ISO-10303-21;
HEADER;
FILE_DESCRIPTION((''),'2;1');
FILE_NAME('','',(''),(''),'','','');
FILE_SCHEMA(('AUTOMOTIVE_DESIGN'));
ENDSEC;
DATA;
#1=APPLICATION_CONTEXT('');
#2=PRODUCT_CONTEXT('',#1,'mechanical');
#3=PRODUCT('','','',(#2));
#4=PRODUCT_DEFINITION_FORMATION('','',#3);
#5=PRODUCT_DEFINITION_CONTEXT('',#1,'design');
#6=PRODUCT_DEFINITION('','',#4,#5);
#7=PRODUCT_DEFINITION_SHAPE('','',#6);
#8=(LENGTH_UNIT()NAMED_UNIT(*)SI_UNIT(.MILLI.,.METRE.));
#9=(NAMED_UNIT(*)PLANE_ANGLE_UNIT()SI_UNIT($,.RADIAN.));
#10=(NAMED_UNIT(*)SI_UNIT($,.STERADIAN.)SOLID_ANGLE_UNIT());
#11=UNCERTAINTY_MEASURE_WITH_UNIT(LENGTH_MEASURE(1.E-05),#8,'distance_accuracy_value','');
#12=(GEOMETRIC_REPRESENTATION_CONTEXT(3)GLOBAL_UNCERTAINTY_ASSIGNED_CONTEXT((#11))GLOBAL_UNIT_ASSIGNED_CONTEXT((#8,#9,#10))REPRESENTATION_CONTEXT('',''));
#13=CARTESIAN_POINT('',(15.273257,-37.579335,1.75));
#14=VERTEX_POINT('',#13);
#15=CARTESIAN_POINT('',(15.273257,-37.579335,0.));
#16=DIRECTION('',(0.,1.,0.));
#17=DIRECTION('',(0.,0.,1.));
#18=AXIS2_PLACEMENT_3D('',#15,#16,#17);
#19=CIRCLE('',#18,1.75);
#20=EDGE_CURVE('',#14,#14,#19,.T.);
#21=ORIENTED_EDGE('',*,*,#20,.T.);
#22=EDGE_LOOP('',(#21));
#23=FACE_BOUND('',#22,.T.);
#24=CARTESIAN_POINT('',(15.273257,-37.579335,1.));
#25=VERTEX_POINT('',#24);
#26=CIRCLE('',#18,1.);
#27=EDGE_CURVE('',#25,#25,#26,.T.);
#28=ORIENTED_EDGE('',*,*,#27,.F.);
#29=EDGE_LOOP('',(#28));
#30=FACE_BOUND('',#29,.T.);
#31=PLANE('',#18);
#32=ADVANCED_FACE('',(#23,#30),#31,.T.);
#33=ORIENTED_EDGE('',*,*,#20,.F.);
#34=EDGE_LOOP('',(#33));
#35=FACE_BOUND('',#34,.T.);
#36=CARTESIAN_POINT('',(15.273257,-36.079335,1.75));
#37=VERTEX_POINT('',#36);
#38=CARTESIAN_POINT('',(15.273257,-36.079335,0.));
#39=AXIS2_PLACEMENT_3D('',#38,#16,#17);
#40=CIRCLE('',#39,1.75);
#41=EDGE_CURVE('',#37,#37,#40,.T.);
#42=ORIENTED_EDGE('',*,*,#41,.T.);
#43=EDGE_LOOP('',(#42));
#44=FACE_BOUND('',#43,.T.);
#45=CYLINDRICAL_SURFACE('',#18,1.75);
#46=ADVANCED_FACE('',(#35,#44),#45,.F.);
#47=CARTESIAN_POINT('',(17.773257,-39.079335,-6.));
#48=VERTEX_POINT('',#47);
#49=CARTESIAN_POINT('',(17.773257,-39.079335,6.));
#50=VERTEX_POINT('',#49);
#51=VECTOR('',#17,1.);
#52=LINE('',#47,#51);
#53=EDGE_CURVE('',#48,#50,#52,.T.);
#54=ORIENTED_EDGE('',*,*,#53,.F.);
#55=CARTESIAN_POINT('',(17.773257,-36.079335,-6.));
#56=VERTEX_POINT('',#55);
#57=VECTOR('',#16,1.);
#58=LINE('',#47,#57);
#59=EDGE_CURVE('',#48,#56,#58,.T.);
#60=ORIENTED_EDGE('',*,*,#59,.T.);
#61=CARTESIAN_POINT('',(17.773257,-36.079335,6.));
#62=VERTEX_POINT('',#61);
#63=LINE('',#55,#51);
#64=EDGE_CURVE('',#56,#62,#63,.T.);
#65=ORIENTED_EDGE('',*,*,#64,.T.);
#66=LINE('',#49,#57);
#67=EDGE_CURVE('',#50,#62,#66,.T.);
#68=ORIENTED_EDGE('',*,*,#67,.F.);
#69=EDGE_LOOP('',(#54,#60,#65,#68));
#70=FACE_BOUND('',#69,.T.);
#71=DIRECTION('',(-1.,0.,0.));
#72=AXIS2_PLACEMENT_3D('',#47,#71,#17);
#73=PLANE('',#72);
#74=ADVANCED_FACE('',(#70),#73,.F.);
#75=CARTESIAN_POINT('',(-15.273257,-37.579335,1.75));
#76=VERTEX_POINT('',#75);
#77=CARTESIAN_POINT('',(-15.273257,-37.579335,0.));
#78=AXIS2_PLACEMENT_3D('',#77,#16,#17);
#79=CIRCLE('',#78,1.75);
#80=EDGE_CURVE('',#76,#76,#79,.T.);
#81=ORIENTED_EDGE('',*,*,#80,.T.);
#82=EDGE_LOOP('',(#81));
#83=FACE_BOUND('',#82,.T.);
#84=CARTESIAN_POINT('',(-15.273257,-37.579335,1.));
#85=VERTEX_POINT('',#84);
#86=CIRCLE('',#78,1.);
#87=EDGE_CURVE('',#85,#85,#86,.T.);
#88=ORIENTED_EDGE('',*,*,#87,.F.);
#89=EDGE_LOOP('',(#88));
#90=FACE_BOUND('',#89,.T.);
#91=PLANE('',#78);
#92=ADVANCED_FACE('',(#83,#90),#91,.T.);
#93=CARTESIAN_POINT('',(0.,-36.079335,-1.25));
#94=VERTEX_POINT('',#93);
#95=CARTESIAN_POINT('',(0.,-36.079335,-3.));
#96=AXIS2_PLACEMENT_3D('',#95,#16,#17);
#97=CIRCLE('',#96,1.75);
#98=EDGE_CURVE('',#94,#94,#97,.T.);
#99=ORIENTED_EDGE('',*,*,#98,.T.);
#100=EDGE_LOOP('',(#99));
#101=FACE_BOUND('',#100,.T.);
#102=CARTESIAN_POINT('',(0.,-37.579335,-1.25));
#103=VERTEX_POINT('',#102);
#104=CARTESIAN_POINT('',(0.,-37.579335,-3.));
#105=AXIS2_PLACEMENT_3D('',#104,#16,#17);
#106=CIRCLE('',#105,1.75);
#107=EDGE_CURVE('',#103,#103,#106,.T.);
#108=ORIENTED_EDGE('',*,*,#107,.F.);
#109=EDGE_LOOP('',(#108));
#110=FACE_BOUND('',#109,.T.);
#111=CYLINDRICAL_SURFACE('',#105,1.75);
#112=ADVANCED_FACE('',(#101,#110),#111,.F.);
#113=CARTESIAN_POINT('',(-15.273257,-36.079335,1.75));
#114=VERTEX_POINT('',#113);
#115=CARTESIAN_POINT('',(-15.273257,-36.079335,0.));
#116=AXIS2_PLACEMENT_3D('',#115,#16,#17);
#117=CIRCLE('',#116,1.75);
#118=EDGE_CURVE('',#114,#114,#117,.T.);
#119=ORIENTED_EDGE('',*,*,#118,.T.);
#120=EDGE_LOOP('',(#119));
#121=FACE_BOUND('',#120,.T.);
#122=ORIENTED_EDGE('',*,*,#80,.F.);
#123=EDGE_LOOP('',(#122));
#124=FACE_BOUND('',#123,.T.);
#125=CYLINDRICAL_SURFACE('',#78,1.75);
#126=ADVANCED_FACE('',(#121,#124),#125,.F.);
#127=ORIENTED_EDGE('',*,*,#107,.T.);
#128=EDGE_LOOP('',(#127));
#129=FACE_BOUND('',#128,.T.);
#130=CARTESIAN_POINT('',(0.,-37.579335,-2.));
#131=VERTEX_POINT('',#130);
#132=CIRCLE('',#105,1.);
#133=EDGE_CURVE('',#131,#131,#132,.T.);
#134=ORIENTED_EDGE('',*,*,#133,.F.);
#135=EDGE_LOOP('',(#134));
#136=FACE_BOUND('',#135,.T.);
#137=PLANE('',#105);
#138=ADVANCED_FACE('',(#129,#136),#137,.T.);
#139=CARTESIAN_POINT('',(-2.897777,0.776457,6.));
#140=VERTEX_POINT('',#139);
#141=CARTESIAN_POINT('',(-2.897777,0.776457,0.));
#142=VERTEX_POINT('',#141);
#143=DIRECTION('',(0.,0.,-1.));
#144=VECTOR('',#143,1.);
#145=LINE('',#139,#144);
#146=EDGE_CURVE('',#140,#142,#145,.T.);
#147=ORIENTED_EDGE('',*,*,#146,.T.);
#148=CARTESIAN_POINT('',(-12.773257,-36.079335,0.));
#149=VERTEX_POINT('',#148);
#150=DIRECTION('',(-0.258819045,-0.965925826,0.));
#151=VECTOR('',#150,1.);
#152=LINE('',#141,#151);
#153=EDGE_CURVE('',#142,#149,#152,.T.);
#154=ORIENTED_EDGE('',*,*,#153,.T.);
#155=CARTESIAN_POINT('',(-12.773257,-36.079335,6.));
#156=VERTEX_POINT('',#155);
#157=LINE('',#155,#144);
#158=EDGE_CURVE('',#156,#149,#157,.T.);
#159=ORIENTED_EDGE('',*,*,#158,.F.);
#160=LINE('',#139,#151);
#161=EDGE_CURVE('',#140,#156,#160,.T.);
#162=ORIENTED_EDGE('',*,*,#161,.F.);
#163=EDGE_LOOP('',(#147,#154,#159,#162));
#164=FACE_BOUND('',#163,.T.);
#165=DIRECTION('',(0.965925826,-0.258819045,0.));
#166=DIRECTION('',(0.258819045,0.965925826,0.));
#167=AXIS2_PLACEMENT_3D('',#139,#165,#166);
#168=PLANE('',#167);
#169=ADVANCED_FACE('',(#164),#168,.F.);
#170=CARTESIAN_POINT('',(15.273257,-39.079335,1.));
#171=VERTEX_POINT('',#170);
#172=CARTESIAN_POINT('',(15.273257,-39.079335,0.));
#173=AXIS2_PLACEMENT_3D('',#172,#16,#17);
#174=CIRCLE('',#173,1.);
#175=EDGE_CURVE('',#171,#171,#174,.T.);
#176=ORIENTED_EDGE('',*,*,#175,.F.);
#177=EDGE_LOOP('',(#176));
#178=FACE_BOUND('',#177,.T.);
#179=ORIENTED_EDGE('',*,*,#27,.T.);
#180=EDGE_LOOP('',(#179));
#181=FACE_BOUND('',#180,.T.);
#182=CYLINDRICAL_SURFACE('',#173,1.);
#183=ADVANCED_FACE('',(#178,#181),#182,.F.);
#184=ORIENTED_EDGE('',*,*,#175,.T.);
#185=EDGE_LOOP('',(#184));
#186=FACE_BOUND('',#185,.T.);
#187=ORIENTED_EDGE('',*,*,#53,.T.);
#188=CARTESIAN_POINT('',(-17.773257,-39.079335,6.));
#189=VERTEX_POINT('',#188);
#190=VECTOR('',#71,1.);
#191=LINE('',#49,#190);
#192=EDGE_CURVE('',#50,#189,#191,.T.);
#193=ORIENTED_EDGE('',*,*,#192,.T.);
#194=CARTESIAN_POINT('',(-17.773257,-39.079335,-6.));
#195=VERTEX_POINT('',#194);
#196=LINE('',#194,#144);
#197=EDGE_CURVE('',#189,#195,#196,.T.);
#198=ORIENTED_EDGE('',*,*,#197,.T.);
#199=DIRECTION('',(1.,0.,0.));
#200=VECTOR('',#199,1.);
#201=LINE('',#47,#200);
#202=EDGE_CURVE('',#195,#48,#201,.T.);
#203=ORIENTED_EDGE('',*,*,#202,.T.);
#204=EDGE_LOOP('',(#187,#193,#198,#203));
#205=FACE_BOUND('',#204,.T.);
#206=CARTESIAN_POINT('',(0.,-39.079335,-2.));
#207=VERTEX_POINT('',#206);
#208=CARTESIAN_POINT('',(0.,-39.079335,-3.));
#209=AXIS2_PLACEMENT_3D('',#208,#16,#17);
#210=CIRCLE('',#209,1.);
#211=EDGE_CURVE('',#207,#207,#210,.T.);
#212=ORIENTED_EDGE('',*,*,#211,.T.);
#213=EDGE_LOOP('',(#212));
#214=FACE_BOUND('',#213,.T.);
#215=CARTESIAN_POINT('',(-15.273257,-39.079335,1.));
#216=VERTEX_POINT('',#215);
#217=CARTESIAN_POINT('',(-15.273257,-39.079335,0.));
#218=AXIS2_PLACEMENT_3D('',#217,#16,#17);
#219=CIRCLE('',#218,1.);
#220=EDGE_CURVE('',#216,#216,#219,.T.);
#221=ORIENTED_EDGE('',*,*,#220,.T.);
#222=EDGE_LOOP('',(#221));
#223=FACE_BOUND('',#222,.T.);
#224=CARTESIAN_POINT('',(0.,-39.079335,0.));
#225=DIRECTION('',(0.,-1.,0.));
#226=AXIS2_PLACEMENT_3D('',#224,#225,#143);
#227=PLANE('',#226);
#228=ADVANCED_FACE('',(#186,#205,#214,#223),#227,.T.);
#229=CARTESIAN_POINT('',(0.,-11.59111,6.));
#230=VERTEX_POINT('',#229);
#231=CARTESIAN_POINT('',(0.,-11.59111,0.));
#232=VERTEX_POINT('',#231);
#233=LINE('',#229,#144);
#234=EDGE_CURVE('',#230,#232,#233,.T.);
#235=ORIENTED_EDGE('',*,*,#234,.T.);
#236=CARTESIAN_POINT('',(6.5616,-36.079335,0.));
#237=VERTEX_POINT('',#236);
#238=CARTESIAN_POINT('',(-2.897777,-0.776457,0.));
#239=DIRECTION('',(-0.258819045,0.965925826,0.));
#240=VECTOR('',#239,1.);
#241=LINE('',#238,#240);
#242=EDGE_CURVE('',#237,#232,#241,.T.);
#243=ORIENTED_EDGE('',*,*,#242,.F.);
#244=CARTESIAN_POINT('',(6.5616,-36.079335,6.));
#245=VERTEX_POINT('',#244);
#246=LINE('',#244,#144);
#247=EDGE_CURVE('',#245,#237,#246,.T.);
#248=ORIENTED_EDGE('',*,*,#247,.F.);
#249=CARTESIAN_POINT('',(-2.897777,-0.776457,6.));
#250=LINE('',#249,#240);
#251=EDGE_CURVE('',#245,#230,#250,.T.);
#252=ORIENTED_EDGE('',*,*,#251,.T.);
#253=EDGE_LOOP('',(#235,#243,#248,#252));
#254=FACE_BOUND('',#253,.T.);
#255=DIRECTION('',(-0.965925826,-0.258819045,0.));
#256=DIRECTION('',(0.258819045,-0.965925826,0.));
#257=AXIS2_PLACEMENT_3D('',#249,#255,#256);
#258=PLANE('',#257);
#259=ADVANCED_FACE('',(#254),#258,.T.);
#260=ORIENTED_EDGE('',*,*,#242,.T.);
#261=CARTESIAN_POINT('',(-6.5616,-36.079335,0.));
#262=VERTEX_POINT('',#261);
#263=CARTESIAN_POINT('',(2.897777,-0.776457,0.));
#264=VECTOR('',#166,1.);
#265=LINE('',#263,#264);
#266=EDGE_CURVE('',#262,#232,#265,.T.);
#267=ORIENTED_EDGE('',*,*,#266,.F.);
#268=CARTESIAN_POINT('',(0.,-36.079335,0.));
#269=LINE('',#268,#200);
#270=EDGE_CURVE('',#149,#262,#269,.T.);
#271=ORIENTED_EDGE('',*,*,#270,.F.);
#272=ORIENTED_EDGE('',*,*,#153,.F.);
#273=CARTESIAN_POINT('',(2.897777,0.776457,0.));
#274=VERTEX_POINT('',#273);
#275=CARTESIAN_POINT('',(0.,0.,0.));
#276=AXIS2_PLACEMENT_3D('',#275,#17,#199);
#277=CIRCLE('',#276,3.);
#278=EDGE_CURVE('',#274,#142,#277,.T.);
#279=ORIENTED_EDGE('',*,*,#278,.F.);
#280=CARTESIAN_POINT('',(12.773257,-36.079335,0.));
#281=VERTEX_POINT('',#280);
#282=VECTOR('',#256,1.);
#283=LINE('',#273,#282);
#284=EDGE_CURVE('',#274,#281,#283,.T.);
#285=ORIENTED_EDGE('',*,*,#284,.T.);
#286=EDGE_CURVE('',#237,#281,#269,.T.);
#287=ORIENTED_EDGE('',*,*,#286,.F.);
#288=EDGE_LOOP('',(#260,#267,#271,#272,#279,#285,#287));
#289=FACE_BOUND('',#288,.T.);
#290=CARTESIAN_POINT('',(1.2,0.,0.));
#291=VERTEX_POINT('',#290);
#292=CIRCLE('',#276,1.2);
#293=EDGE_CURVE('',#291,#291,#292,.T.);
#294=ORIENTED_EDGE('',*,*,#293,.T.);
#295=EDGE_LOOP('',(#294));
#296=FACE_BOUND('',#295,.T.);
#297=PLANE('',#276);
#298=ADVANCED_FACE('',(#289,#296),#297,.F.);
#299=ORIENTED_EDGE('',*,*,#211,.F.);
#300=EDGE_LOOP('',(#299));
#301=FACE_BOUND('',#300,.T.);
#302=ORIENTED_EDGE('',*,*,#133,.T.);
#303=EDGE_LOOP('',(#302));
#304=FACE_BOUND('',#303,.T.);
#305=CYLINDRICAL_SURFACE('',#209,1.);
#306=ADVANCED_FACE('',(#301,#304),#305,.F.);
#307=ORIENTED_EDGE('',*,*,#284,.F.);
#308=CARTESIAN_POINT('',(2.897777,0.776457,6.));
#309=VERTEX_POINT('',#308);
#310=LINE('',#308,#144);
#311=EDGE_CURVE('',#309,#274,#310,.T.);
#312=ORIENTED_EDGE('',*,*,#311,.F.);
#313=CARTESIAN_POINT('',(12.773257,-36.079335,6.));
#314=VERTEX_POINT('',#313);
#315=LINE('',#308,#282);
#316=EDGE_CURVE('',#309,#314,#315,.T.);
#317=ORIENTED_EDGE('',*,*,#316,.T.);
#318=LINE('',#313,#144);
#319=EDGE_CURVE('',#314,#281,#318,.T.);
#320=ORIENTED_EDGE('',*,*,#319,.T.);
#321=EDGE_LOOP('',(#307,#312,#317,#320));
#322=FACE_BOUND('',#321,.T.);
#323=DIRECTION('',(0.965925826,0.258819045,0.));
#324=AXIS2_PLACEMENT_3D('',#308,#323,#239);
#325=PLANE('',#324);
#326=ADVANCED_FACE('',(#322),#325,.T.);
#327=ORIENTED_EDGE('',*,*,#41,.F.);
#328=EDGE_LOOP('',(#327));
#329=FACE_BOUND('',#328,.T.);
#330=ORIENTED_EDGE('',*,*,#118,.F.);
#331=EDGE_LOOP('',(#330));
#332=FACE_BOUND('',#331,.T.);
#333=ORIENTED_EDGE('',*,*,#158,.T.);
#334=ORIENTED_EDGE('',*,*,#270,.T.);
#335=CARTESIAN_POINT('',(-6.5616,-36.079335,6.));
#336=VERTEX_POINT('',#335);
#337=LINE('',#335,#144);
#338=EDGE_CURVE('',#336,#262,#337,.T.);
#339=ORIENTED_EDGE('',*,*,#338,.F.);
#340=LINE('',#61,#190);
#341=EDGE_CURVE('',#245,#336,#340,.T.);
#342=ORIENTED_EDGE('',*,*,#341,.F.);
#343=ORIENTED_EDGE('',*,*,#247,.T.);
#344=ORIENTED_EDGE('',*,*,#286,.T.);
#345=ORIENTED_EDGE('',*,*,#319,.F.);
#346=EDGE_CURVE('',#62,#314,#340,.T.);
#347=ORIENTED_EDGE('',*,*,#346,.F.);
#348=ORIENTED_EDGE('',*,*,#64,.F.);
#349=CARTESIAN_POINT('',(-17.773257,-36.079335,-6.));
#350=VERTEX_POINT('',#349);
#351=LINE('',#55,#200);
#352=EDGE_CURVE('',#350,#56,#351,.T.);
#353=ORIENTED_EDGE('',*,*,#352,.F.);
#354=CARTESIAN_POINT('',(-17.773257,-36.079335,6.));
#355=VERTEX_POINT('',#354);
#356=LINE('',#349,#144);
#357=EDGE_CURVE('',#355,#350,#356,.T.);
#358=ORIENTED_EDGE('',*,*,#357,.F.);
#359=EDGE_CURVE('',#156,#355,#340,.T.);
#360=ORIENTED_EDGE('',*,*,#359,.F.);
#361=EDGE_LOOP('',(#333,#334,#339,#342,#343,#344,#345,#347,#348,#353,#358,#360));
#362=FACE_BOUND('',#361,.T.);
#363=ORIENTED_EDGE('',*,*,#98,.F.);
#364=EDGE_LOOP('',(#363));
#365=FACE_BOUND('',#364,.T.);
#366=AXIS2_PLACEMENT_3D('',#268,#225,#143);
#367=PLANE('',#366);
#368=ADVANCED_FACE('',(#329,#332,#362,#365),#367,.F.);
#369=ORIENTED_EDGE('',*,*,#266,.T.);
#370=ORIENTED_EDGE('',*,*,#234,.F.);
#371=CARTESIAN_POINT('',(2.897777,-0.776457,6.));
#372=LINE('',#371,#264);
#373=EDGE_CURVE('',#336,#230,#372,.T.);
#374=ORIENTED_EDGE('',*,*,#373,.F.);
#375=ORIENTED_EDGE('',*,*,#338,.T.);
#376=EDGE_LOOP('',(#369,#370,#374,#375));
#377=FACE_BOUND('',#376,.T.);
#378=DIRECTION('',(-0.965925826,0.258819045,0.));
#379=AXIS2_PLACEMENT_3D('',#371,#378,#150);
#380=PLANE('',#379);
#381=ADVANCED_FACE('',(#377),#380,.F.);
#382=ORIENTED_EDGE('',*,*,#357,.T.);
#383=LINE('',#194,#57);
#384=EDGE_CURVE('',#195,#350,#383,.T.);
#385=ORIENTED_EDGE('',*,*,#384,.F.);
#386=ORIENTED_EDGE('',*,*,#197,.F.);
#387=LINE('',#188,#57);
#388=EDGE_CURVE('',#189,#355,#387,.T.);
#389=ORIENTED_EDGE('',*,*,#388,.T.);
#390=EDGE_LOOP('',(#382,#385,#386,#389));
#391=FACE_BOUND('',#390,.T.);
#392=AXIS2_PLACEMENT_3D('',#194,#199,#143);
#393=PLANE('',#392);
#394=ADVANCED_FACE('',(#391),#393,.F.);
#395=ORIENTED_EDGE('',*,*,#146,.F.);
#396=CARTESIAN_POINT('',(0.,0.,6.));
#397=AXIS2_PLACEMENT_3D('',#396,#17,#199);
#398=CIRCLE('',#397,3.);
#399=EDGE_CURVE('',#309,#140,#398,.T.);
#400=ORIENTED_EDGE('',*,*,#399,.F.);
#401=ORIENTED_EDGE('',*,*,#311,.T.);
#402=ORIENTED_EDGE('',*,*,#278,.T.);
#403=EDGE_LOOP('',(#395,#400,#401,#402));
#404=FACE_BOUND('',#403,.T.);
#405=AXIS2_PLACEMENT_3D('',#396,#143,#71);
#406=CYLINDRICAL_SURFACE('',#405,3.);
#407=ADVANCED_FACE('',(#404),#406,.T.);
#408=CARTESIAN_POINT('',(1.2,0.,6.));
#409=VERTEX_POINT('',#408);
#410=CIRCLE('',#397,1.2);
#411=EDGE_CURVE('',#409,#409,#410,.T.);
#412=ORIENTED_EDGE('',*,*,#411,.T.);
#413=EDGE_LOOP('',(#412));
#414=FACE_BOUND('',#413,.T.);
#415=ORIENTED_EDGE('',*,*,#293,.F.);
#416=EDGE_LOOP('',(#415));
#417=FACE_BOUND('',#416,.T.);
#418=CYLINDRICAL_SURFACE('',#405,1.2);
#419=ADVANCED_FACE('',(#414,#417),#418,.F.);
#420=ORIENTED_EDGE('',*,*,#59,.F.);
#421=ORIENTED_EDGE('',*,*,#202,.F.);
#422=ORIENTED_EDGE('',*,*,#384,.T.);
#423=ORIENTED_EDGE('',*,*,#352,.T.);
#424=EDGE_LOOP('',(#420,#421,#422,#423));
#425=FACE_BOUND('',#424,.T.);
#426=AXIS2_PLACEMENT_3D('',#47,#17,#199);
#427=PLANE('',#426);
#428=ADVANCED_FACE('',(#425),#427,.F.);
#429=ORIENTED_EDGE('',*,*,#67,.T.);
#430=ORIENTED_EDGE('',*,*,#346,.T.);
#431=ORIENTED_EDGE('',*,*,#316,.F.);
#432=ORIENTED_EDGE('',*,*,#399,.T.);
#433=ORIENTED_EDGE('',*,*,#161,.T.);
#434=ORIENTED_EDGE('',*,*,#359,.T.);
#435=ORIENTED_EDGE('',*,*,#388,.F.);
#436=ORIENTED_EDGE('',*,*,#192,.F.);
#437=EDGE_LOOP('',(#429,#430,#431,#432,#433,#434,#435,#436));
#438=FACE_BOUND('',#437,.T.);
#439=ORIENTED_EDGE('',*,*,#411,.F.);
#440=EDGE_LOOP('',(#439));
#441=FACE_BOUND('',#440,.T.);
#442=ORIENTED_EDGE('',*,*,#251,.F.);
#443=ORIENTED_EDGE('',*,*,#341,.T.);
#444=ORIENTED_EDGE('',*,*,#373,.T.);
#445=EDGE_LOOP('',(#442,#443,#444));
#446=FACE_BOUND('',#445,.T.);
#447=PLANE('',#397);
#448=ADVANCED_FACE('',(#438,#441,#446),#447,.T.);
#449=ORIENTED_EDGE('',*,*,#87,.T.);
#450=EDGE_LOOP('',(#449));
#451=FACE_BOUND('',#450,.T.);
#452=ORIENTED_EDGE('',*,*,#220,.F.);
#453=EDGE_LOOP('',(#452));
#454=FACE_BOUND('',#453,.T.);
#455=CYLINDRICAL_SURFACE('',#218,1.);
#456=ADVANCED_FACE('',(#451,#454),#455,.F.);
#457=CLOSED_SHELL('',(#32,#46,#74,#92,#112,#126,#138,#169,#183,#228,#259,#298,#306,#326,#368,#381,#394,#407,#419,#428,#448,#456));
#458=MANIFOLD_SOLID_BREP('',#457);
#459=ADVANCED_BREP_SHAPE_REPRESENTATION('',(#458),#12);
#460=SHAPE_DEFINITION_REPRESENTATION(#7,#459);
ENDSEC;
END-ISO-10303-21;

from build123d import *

# Parameters (mm, degrees)
EXTRUDE_1_DEPTH     = 6
SKETCH_3_W          = 35.546514436
SKETCH_3_H          = 12
EXTRUDE_2_DEPTH     = 3
SKETCH_1_5_R        = 1.2
CUT_EXTRUDE_1_DEPTH = 44.348392083
SKETCH_4_R          = 1.75
SKETCH_4_R_2        = 1
CUT_EXTRUDE_2_DEPTH = 1.5
SKETCH_4_2_R        = 1
CUT_EXTRUDE_3_DEPTH = 44.348392083


with BuildPart() as part:
    # 草图1 → 凸台-拉伸1 (new body)
    with BuildSketch(Plane.XY):
        with BuildLine():
            ThreePointArc((2.897777479, 0.776457135), (0, 3), (-2.897777479, 0.776457135))
            Line((-2.897777479, 0.776457135), (-12.773257218, -36.079335))
            Line((-12.773257218, -36.079335), (-6.561600135, -36.079335))
            Line((-6.561600135, -36.079335), (0, -11.591109915))
            Line((0, -11.591109915), (6.561600135, -36.079335))
            Line((6.561600135, -36.079335), (12.773257218, -36.079335))
            Line((12.773257218, -36.079335), (2.897777479, 0.776457135))
        make_face()
    extrude(amount=EXTRUDE_1_DEPTH)

    # 草图3 → 凸台-拉伸2 (add)
    with BuildSketch(Plane.XZ.offset(36.079335)):
        Rectangle(SKETCH_3_W, SKETCH_3_H)
    extrude(amount=EXTRUDE_2_DEPTH)

    # 草图1<5> → 切除-拉伸1 (cut, through all)
    with BuildSketch(Plane.XY):
        Circle(SKETCH_1_5_R)
    extrude(amount=CUT_EXTRUDE_1_DEPTH, mode=Mode.SUBTRACT)

    # 草图4 → 切除-拉伸2 (cut)
    # profile 1 of 3: a face of its own
    with BuildSketch(Plane(origin=(0, -36.079335, 0), x_dir=(1, 0, 0), z_dir=(0, 1, 0))):
        with Locations((15.273257218, 0)):
            Circle(SKETCH_4_R)
        with Locations((15.273257218, 0)):
            Circle(SKETCH_4_R_2, mode=Mode.SUBTRACT)
    # profile 2 of 3: a face of its own
    with BuildSketch(Plane(origin=(0, -36.079335, 0), x_dir=(1, 0, 0), z_dir=(0, 1, 0))):
        with Locations((-15.273257218, 0)):
            Circle(SKETCH_4_R)
        with Locations((-15.273257218, 0)):
            Circle(SKETCH_4_R_2, mode=Mode.SUBTRACT)
    # profile 3 of 3: a face of its own
    with BuildSketch(Plane(origin=(0, -36.079335, 0), x_dir=(1, 0, 0), z_dir=(0, 1, 0))):
        with Locations((0, 3)):
            Circle(SKETCH_4_R)
        with Locations((0, 3)):
            Circle(SKETCH_4_R_2, mode=Mode.SUBTRACT)
    extrude(amount=-CUT_EXTRUDE_2_DEPTH, mode=Mode.SUBTRACT)

    # 草图4<2> → 切除-拉伸3 (cut, through all)
    with BuildSketch(Plane(origin=(0, -36.079335, 0), x_dir=(1, 0, 0), z_dir=(0, 1, 0))):
        with Locations((15.273257218, 0)):
            Circle(SKETCH_4_2_R)
        with Locations((0, 3)):
            Circle(SKETCH_4_2_R)
        with Locations((-15.273257218, 0)):
            Circle(SKETCH_4_2_R)
    extrude(amount=-CUT_EXTRUDE_3_DEPTH, mode=Mode.SUBTRACT)


solid = part.part
